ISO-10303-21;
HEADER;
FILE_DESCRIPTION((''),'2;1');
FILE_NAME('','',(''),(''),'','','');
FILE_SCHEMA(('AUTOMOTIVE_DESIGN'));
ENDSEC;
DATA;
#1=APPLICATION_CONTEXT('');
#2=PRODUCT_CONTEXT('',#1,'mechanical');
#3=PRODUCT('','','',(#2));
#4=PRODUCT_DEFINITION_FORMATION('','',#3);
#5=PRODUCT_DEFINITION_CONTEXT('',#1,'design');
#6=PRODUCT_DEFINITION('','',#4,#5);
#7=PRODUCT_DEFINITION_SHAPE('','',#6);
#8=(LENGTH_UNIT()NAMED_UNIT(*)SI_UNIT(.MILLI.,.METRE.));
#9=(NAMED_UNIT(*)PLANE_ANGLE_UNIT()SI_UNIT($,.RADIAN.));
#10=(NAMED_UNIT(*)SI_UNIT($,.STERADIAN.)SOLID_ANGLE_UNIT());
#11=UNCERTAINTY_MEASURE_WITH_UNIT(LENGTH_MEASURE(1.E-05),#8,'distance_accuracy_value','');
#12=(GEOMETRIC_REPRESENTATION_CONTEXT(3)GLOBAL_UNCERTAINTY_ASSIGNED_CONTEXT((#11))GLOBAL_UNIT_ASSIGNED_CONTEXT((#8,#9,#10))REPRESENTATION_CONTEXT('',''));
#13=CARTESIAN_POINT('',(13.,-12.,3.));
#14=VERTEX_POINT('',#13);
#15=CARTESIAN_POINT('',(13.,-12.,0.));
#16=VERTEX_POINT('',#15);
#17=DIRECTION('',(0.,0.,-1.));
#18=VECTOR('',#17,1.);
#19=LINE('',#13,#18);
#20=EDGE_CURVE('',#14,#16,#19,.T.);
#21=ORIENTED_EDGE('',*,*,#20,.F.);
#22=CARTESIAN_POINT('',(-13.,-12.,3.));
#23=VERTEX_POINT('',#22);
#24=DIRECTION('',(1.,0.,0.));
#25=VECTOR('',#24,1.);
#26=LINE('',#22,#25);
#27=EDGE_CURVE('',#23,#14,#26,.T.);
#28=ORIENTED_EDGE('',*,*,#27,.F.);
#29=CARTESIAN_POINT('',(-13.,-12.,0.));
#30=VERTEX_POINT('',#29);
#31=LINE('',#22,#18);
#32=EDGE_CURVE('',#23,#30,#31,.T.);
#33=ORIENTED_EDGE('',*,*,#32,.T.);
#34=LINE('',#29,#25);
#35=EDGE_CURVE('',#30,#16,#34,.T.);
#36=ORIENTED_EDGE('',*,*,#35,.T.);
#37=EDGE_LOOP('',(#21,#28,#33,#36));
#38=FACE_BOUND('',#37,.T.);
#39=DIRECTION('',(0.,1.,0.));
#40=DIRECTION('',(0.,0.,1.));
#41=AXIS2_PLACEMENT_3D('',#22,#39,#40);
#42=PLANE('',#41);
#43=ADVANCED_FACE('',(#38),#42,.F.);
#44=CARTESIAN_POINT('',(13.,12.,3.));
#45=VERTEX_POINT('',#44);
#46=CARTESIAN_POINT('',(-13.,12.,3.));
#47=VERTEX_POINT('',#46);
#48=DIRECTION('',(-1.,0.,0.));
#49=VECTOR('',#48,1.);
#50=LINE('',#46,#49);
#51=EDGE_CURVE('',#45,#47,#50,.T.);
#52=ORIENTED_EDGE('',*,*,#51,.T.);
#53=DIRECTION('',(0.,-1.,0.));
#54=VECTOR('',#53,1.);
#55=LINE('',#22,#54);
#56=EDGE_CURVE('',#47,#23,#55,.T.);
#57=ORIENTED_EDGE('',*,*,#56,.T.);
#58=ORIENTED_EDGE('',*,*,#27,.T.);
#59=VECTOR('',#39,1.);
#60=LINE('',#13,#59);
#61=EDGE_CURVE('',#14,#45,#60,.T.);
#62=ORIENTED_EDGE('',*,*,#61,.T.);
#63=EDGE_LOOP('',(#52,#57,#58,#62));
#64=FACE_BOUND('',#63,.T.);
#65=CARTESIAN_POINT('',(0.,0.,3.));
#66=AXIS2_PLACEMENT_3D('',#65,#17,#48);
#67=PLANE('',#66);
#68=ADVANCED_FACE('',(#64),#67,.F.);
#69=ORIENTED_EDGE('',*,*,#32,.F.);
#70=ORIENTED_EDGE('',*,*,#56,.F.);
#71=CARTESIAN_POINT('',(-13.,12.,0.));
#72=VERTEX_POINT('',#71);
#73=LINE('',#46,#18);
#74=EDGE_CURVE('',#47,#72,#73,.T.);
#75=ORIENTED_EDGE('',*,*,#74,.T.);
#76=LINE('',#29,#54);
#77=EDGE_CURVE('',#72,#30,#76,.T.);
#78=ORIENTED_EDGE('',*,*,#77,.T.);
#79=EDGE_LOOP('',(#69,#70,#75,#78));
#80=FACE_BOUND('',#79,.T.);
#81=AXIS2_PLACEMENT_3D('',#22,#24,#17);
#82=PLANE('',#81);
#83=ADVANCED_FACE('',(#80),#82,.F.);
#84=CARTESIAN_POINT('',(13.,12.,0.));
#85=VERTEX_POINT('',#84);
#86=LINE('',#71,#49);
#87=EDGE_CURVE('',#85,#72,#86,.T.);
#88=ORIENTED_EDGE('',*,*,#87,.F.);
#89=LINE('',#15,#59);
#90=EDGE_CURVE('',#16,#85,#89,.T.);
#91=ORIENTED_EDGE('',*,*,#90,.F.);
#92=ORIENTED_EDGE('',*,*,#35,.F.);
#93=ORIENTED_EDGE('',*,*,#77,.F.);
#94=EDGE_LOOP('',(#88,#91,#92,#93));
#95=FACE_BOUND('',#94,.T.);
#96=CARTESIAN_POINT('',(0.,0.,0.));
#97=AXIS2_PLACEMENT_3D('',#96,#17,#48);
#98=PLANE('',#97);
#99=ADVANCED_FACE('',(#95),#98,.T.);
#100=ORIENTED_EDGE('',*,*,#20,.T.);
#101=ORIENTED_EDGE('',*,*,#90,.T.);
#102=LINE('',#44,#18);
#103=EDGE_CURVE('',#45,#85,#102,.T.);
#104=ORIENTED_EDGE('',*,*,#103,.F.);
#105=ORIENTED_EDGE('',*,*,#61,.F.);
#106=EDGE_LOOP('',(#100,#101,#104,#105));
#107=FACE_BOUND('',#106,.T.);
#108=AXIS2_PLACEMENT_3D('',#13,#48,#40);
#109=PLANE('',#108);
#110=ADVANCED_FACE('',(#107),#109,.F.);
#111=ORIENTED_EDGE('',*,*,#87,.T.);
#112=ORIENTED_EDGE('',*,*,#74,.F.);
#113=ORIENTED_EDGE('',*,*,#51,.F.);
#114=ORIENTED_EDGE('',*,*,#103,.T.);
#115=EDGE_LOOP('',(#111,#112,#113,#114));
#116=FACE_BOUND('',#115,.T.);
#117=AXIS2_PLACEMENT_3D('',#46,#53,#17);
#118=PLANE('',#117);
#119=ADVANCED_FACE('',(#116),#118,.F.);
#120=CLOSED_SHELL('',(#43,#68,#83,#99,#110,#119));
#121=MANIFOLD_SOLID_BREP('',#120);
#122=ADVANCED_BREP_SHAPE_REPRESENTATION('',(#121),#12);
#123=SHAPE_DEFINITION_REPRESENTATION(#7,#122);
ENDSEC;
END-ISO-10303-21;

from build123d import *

# Parameters (mm, degrees)
SKETCH_1_W      = 26
SKETCH_1_H      = 24
EXTRUDE_1_DEPTH = 3


with BuildPart() as part:
    # Эскиз1 → Бобышка-Вытянуть1 (new body)
    with BuildSketch(Plane.XY):
        Rectangle(SKETCH_1_W, SKETCH_1_H)
    extrude(amount=EXTRUDE_1_DEPTH)


solid = part.part
